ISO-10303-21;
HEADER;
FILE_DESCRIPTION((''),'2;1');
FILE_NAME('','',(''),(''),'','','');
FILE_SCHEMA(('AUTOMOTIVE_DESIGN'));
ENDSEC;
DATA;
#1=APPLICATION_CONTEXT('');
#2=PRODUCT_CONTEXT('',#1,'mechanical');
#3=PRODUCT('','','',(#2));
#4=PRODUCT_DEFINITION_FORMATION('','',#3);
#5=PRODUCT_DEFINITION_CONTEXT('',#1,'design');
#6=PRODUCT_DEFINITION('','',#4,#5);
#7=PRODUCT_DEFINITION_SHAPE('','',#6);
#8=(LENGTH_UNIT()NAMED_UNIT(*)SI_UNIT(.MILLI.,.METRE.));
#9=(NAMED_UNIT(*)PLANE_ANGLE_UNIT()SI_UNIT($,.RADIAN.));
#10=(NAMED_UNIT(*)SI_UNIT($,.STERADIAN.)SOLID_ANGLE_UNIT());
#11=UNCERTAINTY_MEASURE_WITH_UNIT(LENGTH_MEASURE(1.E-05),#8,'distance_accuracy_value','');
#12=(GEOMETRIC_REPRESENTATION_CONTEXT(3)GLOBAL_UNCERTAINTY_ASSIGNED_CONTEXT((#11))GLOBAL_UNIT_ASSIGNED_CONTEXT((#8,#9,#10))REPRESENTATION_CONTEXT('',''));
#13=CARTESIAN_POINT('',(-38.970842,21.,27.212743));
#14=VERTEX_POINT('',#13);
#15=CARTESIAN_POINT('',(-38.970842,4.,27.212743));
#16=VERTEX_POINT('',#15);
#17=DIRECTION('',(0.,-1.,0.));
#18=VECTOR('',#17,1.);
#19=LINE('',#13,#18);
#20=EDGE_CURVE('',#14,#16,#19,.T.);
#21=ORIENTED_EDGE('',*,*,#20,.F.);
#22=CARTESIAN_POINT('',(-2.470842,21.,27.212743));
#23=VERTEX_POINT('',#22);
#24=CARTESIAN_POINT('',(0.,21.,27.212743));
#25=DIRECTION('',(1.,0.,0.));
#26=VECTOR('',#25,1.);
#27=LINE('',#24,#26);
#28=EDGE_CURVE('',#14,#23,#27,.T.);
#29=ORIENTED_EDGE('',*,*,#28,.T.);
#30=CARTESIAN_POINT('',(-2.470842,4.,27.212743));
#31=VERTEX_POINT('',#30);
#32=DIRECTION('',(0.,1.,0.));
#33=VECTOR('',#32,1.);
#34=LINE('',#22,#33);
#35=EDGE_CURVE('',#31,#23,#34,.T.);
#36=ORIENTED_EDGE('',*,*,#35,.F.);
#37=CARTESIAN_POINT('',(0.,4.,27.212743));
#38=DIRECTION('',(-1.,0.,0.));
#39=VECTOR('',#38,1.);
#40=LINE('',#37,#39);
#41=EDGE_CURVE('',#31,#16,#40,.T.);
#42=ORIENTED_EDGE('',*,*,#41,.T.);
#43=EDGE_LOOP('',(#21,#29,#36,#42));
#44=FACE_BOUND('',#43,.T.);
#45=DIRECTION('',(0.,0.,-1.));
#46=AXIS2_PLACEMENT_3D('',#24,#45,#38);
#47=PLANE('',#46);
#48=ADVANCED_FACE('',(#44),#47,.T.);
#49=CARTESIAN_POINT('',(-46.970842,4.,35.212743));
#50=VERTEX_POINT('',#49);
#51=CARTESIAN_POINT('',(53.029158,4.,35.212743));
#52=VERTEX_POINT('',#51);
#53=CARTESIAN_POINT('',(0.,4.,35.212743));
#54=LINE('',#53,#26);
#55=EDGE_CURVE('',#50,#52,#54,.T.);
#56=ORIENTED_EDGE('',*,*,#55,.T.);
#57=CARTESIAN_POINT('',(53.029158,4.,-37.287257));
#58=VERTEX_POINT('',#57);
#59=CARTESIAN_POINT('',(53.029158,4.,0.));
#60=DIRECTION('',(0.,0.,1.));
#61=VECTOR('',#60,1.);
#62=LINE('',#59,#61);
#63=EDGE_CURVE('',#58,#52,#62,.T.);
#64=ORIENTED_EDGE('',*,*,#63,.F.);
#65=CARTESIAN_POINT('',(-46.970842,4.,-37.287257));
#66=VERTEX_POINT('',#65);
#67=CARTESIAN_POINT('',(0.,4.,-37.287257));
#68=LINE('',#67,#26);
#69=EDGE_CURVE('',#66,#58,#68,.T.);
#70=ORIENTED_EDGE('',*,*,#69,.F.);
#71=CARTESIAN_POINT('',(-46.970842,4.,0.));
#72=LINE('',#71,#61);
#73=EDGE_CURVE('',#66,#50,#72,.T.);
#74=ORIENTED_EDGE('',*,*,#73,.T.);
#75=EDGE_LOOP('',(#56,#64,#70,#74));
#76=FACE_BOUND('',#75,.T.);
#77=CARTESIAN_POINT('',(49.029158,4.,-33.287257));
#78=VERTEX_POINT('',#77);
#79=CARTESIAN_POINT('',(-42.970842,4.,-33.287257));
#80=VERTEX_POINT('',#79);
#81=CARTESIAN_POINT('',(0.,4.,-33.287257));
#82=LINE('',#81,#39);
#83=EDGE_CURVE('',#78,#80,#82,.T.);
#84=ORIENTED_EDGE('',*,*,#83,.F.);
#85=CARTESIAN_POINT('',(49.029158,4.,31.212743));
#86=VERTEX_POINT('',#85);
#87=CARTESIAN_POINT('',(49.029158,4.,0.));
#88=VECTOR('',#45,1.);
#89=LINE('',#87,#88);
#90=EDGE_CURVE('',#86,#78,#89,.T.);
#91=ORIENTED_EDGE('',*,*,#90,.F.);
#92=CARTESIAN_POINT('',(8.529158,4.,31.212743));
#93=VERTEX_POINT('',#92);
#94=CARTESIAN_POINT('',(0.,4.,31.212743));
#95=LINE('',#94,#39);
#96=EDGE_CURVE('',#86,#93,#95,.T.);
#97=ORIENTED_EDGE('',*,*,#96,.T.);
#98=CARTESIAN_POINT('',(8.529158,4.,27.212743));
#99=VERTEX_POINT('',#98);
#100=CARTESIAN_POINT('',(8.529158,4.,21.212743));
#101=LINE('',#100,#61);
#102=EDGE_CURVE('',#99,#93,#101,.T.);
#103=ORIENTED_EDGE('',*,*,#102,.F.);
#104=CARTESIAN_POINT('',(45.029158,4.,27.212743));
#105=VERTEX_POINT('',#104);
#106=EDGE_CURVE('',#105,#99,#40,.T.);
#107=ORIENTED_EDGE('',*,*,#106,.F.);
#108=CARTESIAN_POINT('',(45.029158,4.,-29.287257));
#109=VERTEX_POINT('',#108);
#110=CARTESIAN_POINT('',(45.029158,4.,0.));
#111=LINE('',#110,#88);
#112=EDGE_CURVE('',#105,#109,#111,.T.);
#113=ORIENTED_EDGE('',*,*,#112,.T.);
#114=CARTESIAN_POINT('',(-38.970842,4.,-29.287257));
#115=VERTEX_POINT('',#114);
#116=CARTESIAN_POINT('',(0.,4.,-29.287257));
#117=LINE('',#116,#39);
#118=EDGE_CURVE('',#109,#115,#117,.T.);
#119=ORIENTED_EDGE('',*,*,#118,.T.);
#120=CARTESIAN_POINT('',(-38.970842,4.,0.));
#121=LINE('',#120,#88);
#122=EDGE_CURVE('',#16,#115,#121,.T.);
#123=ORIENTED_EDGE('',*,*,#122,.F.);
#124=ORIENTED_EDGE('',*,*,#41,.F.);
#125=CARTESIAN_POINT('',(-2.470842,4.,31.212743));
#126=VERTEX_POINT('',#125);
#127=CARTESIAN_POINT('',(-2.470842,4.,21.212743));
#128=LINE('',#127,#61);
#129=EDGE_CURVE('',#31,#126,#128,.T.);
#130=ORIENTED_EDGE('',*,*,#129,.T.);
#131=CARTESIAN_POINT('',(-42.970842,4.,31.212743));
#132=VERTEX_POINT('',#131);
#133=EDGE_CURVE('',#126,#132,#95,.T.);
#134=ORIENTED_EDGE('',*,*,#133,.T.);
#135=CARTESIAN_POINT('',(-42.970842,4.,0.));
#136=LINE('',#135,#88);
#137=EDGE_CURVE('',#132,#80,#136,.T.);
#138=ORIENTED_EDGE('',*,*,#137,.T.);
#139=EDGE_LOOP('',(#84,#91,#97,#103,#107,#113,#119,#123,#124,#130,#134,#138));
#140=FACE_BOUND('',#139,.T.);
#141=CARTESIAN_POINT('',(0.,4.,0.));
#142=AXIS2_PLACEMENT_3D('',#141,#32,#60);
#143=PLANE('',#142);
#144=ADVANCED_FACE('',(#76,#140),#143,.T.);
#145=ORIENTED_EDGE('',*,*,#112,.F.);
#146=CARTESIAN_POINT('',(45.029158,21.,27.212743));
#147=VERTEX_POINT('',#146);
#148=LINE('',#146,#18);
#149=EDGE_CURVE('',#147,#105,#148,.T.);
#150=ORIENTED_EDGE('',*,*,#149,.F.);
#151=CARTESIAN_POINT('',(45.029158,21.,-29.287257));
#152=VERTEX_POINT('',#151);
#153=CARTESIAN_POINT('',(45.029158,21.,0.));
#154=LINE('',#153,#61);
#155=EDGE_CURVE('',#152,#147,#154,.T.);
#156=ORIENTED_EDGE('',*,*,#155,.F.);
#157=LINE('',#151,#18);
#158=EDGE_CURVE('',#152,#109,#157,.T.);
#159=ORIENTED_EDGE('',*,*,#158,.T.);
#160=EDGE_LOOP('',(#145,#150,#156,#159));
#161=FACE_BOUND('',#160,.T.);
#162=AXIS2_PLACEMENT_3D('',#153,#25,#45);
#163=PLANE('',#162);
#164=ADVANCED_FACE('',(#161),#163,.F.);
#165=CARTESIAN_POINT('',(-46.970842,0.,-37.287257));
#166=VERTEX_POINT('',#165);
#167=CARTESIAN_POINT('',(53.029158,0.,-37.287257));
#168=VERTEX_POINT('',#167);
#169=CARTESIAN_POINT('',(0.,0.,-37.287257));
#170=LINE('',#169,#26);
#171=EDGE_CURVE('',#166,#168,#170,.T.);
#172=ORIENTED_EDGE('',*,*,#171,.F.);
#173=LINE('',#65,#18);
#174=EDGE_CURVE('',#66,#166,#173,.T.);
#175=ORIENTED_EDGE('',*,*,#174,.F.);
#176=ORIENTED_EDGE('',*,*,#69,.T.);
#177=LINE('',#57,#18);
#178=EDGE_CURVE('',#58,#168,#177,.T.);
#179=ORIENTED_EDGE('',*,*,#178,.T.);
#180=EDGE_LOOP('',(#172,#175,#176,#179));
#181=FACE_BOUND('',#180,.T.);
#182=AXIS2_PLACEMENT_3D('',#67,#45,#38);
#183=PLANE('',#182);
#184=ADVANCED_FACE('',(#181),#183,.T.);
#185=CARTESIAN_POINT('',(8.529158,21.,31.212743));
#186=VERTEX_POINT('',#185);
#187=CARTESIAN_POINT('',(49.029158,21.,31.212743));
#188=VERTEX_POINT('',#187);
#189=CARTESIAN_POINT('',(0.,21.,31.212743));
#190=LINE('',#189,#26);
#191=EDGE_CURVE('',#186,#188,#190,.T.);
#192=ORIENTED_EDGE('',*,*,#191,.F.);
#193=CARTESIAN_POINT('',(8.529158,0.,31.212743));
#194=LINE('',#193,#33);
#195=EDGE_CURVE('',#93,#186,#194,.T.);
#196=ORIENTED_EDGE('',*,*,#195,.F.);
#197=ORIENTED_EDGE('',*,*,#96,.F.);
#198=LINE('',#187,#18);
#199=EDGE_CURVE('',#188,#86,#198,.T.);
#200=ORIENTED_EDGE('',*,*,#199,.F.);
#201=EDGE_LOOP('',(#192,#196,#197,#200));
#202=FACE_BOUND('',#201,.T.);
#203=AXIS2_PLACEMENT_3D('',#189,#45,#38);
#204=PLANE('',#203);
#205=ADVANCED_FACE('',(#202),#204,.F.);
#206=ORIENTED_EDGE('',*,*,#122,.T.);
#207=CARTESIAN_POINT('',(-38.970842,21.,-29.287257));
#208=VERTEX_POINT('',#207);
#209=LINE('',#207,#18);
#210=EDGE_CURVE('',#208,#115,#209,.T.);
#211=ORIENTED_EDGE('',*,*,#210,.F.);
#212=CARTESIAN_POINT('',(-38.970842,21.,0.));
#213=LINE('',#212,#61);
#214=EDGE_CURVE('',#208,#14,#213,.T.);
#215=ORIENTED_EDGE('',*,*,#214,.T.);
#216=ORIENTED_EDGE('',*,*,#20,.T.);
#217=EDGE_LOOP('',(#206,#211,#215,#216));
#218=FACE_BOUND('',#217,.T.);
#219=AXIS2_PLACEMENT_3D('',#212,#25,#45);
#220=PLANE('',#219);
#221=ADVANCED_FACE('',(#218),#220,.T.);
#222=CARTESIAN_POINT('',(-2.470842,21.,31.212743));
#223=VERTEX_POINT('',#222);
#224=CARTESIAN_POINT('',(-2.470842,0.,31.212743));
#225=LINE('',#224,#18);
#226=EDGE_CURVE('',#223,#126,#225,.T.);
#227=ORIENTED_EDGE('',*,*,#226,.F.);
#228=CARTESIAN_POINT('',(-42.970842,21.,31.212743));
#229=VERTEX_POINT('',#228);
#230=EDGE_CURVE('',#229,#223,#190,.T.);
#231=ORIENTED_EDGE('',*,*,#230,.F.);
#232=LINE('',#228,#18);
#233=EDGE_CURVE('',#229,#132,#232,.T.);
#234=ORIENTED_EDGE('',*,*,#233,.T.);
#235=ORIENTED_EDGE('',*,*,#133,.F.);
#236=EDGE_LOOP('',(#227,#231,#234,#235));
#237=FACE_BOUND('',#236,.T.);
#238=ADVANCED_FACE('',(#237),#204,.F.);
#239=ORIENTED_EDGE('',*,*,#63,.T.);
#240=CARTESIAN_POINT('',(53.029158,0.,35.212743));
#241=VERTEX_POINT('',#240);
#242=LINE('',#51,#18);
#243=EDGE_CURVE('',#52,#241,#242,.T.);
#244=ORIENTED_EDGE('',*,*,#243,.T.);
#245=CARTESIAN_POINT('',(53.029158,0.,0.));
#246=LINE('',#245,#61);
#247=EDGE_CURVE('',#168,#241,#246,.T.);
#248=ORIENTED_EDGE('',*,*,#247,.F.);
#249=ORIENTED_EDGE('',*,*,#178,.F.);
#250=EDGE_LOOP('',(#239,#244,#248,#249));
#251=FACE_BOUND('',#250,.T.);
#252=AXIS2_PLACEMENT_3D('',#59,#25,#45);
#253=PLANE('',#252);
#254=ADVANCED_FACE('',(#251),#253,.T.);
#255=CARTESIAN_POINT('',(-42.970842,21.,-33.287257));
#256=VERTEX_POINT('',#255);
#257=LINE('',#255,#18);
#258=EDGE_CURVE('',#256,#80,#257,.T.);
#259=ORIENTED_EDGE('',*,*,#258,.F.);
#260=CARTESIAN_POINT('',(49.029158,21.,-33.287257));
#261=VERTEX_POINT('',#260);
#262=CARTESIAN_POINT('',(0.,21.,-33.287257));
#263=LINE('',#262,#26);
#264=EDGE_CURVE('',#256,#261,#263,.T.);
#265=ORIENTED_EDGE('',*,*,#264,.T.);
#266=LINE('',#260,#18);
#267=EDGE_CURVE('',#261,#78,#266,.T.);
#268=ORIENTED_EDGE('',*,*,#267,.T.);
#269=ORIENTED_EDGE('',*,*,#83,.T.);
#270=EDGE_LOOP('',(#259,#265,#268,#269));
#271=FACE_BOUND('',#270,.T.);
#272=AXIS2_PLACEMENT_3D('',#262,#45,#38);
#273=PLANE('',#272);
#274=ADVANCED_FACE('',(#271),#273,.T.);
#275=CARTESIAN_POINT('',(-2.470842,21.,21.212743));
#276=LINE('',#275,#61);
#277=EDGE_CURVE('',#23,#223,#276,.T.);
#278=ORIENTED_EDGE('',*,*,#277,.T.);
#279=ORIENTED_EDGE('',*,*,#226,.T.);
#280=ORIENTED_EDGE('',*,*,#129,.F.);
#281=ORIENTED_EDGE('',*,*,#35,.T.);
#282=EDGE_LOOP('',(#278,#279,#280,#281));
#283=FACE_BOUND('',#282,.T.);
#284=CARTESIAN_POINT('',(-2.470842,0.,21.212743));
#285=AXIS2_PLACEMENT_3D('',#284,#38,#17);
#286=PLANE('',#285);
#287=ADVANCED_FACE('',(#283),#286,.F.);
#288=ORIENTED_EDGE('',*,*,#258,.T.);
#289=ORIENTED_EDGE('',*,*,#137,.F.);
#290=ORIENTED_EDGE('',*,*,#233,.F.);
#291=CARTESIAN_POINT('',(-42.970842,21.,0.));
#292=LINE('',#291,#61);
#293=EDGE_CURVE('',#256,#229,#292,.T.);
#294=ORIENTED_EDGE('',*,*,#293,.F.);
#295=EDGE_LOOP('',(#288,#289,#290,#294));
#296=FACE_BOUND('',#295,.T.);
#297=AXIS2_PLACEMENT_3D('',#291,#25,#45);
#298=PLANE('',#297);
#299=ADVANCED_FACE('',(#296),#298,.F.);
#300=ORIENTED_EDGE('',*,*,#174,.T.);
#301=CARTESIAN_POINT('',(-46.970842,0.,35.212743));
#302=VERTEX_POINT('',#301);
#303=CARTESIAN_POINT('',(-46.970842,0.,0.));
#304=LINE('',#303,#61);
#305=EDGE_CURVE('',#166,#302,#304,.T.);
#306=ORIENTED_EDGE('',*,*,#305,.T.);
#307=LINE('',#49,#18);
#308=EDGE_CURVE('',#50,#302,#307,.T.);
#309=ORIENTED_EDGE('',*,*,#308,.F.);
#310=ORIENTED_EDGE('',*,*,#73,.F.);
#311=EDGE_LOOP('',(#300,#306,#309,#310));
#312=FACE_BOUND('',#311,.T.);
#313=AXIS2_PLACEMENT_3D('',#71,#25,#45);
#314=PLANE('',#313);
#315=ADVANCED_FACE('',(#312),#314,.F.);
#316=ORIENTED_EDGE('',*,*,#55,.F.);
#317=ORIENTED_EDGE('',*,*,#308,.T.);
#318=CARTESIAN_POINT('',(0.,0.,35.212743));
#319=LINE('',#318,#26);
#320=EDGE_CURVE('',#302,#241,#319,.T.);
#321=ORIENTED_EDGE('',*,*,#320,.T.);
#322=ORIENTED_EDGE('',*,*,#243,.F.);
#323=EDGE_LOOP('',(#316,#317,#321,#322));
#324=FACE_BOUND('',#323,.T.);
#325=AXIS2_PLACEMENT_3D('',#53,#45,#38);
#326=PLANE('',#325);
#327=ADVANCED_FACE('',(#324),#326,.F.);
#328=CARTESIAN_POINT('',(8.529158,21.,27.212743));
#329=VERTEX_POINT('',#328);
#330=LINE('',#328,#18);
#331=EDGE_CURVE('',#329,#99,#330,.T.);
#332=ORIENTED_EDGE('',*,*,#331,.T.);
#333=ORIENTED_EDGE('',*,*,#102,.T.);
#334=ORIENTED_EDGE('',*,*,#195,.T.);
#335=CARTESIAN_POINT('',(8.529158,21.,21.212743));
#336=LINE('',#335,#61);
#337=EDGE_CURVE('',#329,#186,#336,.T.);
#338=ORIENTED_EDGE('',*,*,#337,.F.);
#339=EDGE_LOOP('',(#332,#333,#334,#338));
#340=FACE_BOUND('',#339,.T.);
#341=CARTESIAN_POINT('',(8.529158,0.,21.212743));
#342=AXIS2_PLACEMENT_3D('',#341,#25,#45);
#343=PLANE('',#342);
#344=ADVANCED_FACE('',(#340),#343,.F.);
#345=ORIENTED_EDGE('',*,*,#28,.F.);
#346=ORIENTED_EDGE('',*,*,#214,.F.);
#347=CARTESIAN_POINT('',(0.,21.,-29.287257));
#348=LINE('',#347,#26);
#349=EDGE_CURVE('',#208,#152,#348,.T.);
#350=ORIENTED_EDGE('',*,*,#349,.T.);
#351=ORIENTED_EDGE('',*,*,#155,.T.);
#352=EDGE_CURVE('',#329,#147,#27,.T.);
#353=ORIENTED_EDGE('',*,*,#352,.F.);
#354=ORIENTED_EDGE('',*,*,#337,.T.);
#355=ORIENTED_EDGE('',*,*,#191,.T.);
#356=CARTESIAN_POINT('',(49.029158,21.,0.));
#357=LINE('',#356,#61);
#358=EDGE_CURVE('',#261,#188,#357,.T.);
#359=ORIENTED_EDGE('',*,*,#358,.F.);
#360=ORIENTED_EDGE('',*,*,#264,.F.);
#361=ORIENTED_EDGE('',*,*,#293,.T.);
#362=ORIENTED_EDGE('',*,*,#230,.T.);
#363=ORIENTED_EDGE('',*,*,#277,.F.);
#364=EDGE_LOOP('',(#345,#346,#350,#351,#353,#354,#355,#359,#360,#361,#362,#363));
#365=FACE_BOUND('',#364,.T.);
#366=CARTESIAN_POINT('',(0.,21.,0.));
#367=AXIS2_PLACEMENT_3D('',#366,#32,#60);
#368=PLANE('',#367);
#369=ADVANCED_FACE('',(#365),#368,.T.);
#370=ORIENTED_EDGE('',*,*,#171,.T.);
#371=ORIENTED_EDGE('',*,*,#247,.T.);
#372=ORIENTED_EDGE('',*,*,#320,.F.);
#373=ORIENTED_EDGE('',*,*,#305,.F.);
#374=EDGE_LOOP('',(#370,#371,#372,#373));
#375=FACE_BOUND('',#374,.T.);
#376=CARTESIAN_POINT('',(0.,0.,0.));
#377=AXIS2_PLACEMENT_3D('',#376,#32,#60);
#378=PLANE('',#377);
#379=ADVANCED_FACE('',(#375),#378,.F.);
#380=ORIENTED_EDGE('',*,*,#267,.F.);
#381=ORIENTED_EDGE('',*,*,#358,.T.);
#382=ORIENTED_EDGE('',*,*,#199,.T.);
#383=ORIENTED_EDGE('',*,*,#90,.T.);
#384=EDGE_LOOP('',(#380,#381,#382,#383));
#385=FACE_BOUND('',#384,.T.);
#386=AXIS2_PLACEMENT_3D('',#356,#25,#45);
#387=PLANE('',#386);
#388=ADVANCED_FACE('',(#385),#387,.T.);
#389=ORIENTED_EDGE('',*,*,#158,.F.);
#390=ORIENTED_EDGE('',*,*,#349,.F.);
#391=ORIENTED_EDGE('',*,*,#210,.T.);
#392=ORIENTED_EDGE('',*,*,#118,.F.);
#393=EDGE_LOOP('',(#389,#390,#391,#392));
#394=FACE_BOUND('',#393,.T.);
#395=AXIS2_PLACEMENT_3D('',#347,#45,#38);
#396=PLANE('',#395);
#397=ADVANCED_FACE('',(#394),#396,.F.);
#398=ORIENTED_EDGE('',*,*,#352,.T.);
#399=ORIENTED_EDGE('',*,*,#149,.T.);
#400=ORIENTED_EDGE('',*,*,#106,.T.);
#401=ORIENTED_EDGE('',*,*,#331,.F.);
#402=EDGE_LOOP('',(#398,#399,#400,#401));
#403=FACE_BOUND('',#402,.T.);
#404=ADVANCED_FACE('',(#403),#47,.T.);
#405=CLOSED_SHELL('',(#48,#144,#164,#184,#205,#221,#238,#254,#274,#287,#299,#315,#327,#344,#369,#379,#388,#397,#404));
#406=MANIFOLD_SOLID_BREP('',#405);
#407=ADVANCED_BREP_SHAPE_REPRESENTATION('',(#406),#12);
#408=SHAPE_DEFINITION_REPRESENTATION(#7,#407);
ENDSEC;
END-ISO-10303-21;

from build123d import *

# Parameters (mm, degrees)
SKETCH2_W           = 100
SKETCH2_H           = 72.5
BOSS_EXTRUDE1_DEPTH = 4
SKETCH2_3_W         = 92
SKETCH2_3_H         = 64.5
SKETCH2_3_W_2       = 84
SKETCH2_3_H_2       = 56.5
BOSS_EXTRUDE2_DEPTH = 21
SKETCH3_W           = 11
SKETCH3_H           = 17
CUT_EXTRUDE1_DEPTH  = 10


with BuildPart() as part:
    # Sketch2 → Boss-Extrude1 (new body)
    with BuildSketch(Plane(origin=(0, 0, 0), x_dir=(1, 0, 0), z_dir=(0, 1, 0))):
        with Locations((3.029157667, 1.037257019)):
            Rectangle(SKETCH2_W, SKETCH2_H)
    extrude(amount=BOSS_EXTRUDE1_DEPTH)

    # Sketch2<3> → Boss-Extrude2 (add)
    with BuildSketch(Plane(origin=(0, 0, 0), x_dir=(1, 0, 0), z_dir=(0, 1, 0))):
        with Locations((3.029157667, 1.037257019)):
            Rectangle(SKETCH2_3_W, SKETCH2_3_H)
        with Locations((3.029157667, 1.037257019)):
            Rectangle(SKETCH2_3_W_2, SKETCH2_3_H_2, mode=Mode.SUBTRACT)
    extrude(amount=BOSS_EXTRUDE2_DEPTH)

    # Sketch3 → Cut-Extrude1 (cut)
    with BuildSketch(Plane.XY.offset(31.212742981)):
        with Locations((3.029157667, 12.5)):
            Rectangle(SKETCH3_W, SKETCH3_H)
    extrude(amount=-CUT_EXTRUDE1_DEPTH, mode=Mode.SUBTRACT)


solid = part.part
